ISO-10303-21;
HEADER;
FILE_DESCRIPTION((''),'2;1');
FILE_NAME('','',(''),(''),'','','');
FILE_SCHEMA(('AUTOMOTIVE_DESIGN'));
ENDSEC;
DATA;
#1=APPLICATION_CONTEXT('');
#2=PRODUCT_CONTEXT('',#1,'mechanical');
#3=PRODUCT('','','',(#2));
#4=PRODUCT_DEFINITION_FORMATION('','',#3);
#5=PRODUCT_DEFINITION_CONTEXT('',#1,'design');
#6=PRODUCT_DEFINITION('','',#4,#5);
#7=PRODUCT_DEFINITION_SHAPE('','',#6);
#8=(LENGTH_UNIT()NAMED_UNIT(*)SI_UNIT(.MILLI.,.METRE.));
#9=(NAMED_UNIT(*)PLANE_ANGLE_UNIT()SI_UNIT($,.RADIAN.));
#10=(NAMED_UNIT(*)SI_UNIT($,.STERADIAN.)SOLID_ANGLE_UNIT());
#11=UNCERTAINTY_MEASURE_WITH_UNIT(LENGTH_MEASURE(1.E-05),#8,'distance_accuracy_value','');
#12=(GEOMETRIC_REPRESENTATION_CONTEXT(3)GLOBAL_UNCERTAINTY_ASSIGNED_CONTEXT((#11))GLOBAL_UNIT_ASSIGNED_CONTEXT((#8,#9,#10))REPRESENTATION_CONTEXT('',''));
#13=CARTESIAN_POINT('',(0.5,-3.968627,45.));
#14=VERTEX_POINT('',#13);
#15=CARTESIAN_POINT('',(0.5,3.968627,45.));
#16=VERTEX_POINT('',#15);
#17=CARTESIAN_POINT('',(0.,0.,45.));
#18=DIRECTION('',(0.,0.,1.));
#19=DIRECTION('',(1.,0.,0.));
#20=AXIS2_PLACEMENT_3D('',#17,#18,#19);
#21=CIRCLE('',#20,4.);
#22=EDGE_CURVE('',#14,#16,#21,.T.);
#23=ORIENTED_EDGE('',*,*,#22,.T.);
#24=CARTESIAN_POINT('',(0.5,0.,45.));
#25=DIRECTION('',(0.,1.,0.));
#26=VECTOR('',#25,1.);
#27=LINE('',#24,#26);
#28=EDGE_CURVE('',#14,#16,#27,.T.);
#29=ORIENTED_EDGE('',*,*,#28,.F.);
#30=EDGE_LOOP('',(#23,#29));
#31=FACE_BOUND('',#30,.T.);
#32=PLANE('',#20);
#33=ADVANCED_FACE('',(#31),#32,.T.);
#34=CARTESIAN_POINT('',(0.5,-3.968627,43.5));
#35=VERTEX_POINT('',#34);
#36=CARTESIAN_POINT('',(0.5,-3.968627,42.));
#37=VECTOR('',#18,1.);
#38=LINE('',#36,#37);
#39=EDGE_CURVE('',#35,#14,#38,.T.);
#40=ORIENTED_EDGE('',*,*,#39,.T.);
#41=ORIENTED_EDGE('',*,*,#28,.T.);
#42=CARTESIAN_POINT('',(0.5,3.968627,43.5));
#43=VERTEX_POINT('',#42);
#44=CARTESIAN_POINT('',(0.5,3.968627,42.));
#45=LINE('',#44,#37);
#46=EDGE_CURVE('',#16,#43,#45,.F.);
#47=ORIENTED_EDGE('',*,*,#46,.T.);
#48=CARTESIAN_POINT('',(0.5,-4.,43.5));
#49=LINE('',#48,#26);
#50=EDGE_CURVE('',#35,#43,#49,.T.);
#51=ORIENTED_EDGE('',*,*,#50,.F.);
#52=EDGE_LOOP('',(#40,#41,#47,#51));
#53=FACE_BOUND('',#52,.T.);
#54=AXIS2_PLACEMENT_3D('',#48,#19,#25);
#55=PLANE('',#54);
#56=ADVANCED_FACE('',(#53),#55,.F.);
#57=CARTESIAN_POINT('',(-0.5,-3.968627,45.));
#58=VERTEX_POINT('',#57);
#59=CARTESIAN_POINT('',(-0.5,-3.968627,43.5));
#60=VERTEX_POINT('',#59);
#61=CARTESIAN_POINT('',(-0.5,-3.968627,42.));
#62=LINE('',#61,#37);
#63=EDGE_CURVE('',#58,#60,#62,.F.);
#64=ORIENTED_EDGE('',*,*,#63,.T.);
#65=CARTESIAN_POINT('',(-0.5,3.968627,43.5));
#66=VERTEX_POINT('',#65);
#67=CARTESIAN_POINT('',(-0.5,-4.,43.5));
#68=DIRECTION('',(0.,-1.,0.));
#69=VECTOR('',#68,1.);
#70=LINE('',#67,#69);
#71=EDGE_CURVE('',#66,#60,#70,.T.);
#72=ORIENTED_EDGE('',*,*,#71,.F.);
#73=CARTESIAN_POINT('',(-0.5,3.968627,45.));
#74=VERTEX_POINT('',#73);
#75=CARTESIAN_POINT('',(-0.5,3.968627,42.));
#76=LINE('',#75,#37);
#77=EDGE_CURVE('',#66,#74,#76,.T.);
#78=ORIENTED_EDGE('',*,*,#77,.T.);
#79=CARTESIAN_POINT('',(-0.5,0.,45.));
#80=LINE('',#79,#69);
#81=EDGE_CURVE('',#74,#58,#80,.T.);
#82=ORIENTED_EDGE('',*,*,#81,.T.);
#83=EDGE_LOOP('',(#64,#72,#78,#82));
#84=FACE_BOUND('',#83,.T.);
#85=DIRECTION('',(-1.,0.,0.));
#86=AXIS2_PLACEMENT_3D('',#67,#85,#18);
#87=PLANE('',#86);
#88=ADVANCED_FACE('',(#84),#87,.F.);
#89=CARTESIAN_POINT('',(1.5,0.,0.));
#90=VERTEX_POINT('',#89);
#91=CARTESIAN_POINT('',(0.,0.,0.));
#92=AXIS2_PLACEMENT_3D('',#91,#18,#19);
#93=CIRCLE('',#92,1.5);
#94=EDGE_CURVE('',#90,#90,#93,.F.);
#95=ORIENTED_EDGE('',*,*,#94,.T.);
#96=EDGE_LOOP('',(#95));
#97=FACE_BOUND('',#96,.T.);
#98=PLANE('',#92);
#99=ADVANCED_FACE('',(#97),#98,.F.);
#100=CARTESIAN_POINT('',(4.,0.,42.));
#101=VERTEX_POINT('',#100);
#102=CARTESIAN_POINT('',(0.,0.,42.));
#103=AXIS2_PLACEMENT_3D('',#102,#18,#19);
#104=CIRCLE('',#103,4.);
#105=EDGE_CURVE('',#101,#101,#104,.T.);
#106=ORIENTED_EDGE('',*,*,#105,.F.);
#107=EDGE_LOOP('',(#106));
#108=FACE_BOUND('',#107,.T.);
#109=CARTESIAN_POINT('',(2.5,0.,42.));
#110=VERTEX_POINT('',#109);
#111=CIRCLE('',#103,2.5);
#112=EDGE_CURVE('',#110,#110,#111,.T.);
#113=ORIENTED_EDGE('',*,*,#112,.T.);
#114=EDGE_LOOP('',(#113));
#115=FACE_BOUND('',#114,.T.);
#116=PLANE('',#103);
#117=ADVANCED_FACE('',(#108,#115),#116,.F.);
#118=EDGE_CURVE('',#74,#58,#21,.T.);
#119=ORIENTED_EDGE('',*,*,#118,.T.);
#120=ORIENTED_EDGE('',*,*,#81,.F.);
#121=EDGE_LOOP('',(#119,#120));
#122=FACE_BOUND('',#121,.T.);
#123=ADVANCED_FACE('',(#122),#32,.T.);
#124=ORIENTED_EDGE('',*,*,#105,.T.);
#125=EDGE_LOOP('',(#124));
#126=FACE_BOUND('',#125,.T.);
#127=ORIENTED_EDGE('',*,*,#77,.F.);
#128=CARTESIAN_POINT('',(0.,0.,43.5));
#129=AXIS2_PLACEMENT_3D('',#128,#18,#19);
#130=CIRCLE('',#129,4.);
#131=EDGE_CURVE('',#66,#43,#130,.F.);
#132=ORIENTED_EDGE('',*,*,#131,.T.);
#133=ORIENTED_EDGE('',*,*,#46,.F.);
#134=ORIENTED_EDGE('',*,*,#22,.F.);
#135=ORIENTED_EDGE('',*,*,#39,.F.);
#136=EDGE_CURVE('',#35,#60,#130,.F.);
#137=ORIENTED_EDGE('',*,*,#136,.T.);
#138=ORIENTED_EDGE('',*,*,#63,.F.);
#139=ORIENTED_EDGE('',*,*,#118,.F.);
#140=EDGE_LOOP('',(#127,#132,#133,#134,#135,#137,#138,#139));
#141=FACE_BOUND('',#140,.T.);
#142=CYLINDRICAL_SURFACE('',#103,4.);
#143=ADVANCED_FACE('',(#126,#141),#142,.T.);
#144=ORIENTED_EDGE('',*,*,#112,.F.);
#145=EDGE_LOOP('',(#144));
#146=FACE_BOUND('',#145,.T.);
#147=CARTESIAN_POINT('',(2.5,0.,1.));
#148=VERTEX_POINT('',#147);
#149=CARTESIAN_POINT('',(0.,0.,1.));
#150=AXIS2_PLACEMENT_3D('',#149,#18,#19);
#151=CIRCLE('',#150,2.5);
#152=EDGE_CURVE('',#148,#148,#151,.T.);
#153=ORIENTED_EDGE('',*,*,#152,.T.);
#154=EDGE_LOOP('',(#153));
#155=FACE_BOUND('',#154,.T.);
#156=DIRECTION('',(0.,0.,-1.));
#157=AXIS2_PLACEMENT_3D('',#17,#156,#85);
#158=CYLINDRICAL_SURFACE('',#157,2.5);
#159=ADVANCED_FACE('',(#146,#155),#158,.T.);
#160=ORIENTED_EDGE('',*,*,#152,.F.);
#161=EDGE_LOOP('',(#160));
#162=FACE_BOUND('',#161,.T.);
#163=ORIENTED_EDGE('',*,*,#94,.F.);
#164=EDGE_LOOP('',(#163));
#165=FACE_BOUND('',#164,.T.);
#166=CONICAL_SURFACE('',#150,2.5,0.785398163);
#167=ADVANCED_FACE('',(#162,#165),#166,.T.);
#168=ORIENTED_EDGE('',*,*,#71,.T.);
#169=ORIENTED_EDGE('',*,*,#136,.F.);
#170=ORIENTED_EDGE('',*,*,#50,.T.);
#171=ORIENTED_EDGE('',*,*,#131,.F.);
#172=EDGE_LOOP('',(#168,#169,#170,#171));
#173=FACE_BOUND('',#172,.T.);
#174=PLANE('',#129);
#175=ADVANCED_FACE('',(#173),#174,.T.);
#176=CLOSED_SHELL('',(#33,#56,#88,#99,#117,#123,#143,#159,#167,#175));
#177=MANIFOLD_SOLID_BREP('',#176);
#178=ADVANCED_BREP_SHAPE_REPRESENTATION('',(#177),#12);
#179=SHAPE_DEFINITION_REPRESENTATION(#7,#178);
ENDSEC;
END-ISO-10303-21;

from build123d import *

# Parameters (mm, degrees)
SKETCH_1_R          = 2.5
EXTRUDE_1_DEPTH     = 45
SKETCH_2_R          = 4
EXTRUDE_2_DEPTH     = 3
CHAMFER_1_SIZE      = 1
SKETCH_3_W          = 1
SKETCH_3_H          = 8
CUT_EXTRUDE_1_DEPTH = 1.5


with BuildPart() as part:
    # Эскиз1 → Бобышка-Вытянуть1 (new body)
    with BuildSketch(Plane.XY):
        Circle(SKETCH_1_R)
    extrude(amount=EXTRUDE_1_DEPTH)

    # Эскиз2 → Бобышка-Вытянуть2 (add)
    with BuildSketch(Plane.XY.offset(45)):
        Circle(SKETCH_2_R)
    extrude(amount=-EXTRUDE_2_DEPTH)

    # Фаска1
    chamfer_1_edges = [part.edges().sort_by_distance(p)[0] for p in [
        (-2.5, 0, 0),
    ]]
    chamfer(chamfer_1_edges, length=CHAMFER_1_SIZE)

    # Эскиз3 → Вырез-Вытянуть1 (cut)
    with BuildSketch(Plane.XY.offset(45)):
        Rectangle(SKETCH_3_W, SKETCH_3_H)
    extrude(amount=-CUT_EXTRUDE_1_DEPTH, mode=Mode.SUBTRACT)


solid = part.part
